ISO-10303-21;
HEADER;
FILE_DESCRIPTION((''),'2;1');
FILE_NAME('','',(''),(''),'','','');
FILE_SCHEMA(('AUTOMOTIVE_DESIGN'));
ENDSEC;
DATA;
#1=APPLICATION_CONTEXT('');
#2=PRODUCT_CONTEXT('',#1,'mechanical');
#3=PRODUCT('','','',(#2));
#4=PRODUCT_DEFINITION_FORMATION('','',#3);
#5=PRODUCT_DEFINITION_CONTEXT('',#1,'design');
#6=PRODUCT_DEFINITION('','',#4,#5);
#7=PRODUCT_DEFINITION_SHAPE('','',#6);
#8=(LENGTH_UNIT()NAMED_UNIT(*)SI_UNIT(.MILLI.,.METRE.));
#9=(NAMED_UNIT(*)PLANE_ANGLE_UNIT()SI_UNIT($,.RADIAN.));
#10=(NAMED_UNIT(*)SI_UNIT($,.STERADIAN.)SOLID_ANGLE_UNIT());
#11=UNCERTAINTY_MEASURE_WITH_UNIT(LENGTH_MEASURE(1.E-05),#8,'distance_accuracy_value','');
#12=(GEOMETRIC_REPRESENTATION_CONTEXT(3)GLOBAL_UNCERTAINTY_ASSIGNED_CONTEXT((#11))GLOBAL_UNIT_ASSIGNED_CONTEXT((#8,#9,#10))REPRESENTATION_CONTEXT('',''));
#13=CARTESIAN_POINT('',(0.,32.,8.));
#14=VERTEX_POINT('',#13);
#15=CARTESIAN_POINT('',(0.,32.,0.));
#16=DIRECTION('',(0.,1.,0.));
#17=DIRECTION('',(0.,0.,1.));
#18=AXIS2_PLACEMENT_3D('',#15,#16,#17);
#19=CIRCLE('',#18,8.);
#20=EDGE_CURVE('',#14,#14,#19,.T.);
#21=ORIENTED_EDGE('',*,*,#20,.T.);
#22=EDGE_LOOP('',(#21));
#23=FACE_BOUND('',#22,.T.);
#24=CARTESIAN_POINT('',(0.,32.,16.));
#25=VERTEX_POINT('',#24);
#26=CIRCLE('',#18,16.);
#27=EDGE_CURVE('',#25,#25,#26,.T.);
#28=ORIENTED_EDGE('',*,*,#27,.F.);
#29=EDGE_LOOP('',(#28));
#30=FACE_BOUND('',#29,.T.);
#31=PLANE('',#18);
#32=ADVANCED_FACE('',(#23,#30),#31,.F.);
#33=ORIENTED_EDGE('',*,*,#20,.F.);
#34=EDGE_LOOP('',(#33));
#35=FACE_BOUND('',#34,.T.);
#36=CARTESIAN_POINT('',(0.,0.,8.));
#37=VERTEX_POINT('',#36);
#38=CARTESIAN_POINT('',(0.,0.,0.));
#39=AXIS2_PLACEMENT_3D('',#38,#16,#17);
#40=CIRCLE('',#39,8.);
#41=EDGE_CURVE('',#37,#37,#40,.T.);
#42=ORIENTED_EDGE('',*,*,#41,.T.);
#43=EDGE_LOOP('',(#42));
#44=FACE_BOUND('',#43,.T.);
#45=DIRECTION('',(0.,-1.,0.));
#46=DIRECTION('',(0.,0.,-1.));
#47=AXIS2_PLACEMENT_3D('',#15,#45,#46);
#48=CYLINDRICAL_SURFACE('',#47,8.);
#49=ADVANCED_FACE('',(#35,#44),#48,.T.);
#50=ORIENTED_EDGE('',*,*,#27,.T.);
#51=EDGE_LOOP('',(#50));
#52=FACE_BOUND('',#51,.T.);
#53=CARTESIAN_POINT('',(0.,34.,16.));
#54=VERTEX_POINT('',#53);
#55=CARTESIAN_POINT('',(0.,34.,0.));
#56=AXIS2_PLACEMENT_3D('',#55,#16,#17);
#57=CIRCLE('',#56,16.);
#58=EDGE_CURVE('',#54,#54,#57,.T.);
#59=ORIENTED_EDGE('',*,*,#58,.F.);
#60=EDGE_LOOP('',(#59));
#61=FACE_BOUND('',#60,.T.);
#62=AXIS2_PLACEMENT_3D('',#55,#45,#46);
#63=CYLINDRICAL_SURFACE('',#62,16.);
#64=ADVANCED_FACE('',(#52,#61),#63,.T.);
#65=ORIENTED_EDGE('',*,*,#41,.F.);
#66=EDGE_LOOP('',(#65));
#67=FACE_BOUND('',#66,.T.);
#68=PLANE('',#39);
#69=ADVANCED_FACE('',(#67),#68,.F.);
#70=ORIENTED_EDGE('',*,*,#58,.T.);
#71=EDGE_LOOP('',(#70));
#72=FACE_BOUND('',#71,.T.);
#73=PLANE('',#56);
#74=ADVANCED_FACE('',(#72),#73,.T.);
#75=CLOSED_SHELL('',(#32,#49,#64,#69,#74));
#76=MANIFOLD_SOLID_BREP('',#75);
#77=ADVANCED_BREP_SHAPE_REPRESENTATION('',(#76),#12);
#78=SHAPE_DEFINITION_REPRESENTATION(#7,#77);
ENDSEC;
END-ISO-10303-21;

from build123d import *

# Parameters (mm, degrees)
SKETCH_1_R      = 8
EXTRUDE_1_DEPTH = 32
SKETCH_2_R      = 16
EXTRUDE_2_DEPTH = 2


with BuildPart() as part:
    # 草图1 → 凸台-拉伸1 (new body)
    with BuildSketch(Plane(origin=(0, 0, 0), x_dir=(1, 0, 0), z_dir=(0, 1, 0))):
        with Locations(Location((0, 0, 0), (0, 0, 270))):
            Circle(SKETCH_1_R)
    extrude(amount=EXTRUDE_1_DEPTH)

    # 草图2 → 凸台-拉伸2 (add)
    with BuildSketch(Plane(origin=(0, 32, 0), x_dir=(1, 0, 0), z_dir=(0, 1, 0))):
        with Locations(Location((0, 0, 0), (0, 0, 270))):
            Circle(SKETCH_2_R)
    extrude(amount=EXTRUDE_2_DEPTH)


solid = part.part
